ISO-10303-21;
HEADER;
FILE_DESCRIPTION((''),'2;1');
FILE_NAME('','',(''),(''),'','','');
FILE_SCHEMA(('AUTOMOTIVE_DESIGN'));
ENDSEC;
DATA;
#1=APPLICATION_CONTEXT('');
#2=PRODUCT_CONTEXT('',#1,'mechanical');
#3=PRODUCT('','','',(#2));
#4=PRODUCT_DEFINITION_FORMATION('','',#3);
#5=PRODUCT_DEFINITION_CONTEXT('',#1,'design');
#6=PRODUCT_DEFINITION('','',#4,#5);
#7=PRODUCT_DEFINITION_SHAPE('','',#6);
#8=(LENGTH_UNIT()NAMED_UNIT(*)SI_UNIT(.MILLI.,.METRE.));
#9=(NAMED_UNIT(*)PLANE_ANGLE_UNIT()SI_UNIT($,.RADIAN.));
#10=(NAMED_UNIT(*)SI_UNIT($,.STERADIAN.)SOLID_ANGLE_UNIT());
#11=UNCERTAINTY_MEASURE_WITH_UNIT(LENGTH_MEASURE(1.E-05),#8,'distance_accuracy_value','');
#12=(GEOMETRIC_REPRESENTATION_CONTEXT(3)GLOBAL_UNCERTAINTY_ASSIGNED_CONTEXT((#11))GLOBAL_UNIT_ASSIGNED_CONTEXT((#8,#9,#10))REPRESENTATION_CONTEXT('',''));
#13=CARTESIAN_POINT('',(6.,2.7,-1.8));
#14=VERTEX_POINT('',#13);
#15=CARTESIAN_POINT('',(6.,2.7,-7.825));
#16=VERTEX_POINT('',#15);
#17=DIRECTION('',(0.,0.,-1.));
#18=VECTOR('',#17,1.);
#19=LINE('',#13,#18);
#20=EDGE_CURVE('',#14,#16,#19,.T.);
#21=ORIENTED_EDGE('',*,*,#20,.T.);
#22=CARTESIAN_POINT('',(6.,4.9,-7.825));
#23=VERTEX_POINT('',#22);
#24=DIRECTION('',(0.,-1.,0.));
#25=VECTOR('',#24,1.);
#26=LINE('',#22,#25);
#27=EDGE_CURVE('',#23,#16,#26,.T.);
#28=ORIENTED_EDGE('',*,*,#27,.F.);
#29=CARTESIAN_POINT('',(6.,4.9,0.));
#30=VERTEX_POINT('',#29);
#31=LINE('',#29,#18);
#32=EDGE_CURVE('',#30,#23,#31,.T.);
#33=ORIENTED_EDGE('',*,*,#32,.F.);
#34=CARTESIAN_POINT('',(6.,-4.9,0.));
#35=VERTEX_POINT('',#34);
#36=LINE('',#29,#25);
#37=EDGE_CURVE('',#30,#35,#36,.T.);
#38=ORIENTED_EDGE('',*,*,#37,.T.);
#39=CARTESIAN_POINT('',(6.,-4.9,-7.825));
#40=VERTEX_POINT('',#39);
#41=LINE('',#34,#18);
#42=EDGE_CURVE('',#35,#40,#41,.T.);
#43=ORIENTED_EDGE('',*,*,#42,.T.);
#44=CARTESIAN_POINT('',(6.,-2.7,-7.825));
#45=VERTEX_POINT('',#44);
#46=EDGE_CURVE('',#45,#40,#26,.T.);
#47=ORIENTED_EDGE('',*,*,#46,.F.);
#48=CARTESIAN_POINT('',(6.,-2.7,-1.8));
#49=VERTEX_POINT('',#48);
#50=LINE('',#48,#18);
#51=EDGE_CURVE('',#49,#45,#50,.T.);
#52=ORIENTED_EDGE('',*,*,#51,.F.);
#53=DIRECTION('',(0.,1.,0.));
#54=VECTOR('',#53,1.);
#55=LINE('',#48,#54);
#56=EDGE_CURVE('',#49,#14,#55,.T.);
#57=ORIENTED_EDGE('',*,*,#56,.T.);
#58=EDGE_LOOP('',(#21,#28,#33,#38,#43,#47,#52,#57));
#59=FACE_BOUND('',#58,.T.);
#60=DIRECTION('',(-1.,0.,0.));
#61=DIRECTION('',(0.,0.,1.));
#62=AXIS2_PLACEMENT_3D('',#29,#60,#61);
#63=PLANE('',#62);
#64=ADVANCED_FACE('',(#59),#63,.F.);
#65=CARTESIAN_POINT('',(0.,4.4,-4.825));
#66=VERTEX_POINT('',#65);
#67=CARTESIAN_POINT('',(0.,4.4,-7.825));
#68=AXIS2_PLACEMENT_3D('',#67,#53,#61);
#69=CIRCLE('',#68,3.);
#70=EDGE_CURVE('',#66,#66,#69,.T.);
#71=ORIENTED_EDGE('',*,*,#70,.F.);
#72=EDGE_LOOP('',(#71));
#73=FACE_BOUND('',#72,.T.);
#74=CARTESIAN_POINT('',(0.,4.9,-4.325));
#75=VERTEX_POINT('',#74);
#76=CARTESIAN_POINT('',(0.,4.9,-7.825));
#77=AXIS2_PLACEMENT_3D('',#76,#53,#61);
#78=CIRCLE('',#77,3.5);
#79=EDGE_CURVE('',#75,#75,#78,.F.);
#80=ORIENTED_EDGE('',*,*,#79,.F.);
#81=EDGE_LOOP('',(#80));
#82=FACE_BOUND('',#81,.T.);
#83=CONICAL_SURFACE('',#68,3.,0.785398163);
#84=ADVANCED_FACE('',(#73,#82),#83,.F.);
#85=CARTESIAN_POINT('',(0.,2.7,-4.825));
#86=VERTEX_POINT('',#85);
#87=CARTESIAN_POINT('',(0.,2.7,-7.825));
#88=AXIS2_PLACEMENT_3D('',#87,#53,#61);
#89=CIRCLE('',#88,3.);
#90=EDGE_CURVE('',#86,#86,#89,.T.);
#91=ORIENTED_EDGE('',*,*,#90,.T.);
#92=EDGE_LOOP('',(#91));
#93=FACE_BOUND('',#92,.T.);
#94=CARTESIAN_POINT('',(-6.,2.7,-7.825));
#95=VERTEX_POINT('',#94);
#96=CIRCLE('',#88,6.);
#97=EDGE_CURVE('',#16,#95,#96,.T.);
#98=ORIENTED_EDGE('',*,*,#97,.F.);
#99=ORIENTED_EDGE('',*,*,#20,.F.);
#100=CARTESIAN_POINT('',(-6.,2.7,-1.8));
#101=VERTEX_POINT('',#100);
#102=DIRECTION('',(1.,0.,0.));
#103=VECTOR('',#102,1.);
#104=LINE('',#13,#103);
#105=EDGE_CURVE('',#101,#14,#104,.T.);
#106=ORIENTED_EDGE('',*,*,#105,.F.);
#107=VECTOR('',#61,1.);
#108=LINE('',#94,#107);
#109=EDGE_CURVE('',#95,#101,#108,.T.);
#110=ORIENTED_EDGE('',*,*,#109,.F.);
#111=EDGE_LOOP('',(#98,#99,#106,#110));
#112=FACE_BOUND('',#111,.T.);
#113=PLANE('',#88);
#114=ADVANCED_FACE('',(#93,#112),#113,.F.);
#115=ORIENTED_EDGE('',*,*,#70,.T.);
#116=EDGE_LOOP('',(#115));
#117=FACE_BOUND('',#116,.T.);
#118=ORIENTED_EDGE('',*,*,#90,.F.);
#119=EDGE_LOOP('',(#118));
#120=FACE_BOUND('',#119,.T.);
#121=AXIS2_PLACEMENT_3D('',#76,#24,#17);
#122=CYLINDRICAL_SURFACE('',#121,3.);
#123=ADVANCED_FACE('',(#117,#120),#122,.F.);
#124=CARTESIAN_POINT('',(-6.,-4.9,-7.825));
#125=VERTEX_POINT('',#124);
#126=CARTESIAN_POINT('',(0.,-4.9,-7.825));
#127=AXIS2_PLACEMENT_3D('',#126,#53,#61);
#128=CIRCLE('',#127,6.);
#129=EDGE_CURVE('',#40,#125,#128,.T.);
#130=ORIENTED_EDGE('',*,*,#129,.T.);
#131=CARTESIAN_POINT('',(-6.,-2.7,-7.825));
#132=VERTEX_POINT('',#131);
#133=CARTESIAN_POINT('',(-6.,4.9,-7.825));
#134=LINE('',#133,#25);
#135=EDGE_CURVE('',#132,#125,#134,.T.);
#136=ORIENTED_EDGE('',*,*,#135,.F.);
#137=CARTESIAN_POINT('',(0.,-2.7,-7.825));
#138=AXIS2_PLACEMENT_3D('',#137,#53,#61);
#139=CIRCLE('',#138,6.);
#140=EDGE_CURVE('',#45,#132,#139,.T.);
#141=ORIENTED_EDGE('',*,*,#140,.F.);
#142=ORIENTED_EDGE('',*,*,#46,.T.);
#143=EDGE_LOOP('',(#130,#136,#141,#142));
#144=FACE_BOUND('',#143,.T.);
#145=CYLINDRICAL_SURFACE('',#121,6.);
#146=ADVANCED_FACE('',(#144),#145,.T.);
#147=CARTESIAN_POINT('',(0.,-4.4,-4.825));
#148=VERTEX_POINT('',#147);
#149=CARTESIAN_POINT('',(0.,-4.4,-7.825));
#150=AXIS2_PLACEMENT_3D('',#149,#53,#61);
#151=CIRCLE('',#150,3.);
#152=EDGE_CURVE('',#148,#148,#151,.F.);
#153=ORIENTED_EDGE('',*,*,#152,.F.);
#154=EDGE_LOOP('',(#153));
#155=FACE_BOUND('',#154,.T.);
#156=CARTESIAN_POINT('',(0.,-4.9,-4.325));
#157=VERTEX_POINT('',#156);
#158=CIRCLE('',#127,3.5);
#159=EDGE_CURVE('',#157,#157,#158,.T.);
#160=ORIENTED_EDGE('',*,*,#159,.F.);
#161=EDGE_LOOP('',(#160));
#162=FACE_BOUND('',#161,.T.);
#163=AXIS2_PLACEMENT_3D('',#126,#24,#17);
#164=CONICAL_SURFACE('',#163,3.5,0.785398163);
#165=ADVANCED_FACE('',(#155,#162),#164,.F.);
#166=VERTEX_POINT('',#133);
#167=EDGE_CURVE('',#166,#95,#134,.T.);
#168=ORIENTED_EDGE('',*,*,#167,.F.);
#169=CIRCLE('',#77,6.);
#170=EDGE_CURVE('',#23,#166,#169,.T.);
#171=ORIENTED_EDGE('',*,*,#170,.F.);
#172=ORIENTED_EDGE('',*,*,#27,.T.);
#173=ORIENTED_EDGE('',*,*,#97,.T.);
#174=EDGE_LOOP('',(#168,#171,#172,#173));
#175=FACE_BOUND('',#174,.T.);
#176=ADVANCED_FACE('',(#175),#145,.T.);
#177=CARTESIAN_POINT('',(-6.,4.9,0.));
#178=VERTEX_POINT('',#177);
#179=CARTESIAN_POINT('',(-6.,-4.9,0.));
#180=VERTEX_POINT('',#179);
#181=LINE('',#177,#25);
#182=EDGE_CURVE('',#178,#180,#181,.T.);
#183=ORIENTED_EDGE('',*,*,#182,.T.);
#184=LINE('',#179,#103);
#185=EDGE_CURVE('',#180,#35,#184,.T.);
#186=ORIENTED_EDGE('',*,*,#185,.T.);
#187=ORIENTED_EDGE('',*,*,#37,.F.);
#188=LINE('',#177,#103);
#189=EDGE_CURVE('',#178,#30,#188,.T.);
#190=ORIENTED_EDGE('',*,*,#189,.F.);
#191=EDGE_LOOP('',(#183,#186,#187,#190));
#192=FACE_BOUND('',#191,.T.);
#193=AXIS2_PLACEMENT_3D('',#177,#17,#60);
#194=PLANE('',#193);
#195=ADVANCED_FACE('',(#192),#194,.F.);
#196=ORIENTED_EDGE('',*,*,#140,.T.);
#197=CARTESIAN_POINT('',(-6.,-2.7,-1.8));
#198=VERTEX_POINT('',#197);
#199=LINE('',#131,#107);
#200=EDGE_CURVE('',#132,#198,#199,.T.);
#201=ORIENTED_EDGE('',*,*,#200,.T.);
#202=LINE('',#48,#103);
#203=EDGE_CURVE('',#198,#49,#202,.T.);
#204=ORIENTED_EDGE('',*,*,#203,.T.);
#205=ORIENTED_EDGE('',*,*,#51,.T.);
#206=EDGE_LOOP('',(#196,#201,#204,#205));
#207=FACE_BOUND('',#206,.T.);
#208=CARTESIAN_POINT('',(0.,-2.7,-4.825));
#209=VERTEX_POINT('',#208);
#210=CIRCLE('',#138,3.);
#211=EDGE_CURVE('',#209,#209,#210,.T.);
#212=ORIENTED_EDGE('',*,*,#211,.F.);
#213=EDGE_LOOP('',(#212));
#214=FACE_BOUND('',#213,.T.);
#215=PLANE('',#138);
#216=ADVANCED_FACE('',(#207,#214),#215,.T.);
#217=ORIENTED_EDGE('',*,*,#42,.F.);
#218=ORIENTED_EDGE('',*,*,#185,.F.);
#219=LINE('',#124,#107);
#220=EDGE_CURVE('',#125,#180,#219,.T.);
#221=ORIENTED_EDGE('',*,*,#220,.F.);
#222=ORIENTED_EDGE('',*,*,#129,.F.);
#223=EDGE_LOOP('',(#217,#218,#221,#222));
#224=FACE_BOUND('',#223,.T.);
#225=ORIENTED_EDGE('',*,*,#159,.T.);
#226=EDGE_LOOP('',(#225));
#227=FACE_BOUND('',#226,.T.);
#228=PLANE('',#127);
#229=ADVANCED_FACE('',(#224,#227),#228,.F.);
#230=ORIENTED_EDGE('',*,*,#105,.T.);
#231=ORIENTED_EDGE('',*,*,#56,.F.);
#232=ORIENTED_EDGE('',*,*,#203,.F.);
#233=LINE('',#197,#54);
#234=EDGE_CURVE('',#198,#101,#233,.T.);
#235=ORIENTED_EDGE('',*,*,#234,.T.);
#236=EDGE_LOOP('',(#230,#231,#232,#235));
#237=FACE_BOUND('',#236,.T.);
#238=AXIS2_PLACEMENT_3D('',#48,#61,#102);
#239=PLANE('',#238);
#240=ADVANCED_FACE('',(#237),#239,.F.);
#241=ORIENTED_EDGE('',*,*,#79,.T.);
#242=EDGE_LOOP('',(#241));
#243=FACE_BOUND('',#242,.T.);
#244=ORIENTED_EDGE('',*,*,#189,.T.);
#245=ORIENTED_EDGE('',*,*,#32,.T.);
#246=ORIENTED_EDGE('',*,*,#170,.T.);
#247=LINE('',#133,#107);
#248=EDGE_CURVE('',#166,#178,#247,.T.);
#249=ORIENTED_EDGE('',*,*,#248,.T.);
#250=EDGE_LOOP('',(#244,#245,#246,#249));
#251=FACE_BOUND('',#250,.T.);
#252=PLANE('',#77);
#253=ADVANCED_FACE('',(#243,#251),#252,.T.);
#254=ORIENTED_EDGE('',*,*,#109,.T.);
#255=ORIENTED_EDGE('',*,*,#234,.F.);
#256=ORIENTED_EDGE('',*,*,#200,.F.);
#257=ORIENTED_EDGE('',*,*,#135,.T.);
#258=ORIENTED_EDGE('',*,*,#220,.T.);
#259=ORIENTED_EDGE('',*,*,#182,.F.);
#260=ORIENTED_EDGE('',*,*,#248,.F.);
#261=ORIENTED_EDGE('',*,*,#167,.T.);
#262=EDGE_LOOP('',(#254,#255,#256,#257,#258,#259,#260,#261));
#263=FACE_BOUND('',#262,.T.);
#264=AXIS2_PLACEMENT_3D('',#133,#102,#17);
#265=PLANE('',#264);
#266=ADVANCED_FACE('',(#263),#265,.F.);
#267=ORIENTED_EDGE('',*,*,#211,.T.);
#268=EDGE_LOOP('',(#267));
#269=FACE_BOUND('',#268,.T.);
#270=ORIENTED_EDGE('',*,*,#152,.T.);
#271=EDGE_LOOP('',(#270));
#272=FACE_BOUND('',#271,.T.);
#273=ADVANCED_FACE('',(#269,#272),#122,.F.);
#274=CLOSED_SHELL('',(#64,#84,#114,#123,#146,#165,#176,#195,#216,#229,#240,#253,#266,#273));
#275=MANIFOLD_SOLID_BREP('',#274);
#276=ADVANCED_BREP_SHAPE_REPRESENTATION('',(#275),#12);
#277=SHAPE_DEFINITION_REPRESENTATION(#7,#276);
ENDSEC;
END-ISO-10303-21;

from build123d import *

# Parameters (mm, degrees)
SKETCH1_R           = 3
BOSS_EXTRUDE1_DEPTH = 4.9
CUT_EXTRUDE1_DEPTH  = 2.7
CHAMFER1_SIZE       = 0.5


with BuildPart() as part:
    # Sketch1 → Boss-Extrude1 (new, symmetric)
    with BuildSketch(Plane(origin=(0, 0, 0), x_dir=(1, 0, 0), z_dir=(0, 1, 0))):
        with BuildLine():
            Line((-6, 7.825), (-6, 0))
            Line((-6, 0), (6, 0))
            Line((6, 0), (6, 7.825))
            ThreePointArc((6, 7.825), (0, 13.825), (-6, 7.825))
        make_face()
        with Locations(Location((0, 7.825, 0), (0, 0, 270))):
            Circle(SKETCH1_R, mode=Mode.SUBTRACT)
    extrude(amount=BOSS_EXTRUDE1_DEPTH, both=True)

    # Sketch3 → Cut-Extrude1 (cut, symmetric)
    with BuildSketch(Plane(origin=(0, 0, 0), x_dir=(1, 0, 0), z_dir=(0, 1, 0))):
        with BuildLine():
            Line((6, 1.8), (-6, 1.8))
            Line((-6, 1.8), (-6, 7.825))
            ThreePointArc((-6, 7.825), (0, 13.825), (6, 7.825))
            Line((6, 7.825), (6, 1.8))
        make_face()
    extrude(amount=CUT_EXTRUDE1_DEPTH, both=True, mode=Mode.SUBTRACT)

    # Chamfer1
    chamfer1_edges = [part.edges().sort_by_distance(p)[0] for p in [
        (0, -4.9, -10.825),
        (0, 4.9, -10.825),
    ]]
    chamfer(chamfer1_edges, length=CHAMFER1_SIZE)


solid = part.part
